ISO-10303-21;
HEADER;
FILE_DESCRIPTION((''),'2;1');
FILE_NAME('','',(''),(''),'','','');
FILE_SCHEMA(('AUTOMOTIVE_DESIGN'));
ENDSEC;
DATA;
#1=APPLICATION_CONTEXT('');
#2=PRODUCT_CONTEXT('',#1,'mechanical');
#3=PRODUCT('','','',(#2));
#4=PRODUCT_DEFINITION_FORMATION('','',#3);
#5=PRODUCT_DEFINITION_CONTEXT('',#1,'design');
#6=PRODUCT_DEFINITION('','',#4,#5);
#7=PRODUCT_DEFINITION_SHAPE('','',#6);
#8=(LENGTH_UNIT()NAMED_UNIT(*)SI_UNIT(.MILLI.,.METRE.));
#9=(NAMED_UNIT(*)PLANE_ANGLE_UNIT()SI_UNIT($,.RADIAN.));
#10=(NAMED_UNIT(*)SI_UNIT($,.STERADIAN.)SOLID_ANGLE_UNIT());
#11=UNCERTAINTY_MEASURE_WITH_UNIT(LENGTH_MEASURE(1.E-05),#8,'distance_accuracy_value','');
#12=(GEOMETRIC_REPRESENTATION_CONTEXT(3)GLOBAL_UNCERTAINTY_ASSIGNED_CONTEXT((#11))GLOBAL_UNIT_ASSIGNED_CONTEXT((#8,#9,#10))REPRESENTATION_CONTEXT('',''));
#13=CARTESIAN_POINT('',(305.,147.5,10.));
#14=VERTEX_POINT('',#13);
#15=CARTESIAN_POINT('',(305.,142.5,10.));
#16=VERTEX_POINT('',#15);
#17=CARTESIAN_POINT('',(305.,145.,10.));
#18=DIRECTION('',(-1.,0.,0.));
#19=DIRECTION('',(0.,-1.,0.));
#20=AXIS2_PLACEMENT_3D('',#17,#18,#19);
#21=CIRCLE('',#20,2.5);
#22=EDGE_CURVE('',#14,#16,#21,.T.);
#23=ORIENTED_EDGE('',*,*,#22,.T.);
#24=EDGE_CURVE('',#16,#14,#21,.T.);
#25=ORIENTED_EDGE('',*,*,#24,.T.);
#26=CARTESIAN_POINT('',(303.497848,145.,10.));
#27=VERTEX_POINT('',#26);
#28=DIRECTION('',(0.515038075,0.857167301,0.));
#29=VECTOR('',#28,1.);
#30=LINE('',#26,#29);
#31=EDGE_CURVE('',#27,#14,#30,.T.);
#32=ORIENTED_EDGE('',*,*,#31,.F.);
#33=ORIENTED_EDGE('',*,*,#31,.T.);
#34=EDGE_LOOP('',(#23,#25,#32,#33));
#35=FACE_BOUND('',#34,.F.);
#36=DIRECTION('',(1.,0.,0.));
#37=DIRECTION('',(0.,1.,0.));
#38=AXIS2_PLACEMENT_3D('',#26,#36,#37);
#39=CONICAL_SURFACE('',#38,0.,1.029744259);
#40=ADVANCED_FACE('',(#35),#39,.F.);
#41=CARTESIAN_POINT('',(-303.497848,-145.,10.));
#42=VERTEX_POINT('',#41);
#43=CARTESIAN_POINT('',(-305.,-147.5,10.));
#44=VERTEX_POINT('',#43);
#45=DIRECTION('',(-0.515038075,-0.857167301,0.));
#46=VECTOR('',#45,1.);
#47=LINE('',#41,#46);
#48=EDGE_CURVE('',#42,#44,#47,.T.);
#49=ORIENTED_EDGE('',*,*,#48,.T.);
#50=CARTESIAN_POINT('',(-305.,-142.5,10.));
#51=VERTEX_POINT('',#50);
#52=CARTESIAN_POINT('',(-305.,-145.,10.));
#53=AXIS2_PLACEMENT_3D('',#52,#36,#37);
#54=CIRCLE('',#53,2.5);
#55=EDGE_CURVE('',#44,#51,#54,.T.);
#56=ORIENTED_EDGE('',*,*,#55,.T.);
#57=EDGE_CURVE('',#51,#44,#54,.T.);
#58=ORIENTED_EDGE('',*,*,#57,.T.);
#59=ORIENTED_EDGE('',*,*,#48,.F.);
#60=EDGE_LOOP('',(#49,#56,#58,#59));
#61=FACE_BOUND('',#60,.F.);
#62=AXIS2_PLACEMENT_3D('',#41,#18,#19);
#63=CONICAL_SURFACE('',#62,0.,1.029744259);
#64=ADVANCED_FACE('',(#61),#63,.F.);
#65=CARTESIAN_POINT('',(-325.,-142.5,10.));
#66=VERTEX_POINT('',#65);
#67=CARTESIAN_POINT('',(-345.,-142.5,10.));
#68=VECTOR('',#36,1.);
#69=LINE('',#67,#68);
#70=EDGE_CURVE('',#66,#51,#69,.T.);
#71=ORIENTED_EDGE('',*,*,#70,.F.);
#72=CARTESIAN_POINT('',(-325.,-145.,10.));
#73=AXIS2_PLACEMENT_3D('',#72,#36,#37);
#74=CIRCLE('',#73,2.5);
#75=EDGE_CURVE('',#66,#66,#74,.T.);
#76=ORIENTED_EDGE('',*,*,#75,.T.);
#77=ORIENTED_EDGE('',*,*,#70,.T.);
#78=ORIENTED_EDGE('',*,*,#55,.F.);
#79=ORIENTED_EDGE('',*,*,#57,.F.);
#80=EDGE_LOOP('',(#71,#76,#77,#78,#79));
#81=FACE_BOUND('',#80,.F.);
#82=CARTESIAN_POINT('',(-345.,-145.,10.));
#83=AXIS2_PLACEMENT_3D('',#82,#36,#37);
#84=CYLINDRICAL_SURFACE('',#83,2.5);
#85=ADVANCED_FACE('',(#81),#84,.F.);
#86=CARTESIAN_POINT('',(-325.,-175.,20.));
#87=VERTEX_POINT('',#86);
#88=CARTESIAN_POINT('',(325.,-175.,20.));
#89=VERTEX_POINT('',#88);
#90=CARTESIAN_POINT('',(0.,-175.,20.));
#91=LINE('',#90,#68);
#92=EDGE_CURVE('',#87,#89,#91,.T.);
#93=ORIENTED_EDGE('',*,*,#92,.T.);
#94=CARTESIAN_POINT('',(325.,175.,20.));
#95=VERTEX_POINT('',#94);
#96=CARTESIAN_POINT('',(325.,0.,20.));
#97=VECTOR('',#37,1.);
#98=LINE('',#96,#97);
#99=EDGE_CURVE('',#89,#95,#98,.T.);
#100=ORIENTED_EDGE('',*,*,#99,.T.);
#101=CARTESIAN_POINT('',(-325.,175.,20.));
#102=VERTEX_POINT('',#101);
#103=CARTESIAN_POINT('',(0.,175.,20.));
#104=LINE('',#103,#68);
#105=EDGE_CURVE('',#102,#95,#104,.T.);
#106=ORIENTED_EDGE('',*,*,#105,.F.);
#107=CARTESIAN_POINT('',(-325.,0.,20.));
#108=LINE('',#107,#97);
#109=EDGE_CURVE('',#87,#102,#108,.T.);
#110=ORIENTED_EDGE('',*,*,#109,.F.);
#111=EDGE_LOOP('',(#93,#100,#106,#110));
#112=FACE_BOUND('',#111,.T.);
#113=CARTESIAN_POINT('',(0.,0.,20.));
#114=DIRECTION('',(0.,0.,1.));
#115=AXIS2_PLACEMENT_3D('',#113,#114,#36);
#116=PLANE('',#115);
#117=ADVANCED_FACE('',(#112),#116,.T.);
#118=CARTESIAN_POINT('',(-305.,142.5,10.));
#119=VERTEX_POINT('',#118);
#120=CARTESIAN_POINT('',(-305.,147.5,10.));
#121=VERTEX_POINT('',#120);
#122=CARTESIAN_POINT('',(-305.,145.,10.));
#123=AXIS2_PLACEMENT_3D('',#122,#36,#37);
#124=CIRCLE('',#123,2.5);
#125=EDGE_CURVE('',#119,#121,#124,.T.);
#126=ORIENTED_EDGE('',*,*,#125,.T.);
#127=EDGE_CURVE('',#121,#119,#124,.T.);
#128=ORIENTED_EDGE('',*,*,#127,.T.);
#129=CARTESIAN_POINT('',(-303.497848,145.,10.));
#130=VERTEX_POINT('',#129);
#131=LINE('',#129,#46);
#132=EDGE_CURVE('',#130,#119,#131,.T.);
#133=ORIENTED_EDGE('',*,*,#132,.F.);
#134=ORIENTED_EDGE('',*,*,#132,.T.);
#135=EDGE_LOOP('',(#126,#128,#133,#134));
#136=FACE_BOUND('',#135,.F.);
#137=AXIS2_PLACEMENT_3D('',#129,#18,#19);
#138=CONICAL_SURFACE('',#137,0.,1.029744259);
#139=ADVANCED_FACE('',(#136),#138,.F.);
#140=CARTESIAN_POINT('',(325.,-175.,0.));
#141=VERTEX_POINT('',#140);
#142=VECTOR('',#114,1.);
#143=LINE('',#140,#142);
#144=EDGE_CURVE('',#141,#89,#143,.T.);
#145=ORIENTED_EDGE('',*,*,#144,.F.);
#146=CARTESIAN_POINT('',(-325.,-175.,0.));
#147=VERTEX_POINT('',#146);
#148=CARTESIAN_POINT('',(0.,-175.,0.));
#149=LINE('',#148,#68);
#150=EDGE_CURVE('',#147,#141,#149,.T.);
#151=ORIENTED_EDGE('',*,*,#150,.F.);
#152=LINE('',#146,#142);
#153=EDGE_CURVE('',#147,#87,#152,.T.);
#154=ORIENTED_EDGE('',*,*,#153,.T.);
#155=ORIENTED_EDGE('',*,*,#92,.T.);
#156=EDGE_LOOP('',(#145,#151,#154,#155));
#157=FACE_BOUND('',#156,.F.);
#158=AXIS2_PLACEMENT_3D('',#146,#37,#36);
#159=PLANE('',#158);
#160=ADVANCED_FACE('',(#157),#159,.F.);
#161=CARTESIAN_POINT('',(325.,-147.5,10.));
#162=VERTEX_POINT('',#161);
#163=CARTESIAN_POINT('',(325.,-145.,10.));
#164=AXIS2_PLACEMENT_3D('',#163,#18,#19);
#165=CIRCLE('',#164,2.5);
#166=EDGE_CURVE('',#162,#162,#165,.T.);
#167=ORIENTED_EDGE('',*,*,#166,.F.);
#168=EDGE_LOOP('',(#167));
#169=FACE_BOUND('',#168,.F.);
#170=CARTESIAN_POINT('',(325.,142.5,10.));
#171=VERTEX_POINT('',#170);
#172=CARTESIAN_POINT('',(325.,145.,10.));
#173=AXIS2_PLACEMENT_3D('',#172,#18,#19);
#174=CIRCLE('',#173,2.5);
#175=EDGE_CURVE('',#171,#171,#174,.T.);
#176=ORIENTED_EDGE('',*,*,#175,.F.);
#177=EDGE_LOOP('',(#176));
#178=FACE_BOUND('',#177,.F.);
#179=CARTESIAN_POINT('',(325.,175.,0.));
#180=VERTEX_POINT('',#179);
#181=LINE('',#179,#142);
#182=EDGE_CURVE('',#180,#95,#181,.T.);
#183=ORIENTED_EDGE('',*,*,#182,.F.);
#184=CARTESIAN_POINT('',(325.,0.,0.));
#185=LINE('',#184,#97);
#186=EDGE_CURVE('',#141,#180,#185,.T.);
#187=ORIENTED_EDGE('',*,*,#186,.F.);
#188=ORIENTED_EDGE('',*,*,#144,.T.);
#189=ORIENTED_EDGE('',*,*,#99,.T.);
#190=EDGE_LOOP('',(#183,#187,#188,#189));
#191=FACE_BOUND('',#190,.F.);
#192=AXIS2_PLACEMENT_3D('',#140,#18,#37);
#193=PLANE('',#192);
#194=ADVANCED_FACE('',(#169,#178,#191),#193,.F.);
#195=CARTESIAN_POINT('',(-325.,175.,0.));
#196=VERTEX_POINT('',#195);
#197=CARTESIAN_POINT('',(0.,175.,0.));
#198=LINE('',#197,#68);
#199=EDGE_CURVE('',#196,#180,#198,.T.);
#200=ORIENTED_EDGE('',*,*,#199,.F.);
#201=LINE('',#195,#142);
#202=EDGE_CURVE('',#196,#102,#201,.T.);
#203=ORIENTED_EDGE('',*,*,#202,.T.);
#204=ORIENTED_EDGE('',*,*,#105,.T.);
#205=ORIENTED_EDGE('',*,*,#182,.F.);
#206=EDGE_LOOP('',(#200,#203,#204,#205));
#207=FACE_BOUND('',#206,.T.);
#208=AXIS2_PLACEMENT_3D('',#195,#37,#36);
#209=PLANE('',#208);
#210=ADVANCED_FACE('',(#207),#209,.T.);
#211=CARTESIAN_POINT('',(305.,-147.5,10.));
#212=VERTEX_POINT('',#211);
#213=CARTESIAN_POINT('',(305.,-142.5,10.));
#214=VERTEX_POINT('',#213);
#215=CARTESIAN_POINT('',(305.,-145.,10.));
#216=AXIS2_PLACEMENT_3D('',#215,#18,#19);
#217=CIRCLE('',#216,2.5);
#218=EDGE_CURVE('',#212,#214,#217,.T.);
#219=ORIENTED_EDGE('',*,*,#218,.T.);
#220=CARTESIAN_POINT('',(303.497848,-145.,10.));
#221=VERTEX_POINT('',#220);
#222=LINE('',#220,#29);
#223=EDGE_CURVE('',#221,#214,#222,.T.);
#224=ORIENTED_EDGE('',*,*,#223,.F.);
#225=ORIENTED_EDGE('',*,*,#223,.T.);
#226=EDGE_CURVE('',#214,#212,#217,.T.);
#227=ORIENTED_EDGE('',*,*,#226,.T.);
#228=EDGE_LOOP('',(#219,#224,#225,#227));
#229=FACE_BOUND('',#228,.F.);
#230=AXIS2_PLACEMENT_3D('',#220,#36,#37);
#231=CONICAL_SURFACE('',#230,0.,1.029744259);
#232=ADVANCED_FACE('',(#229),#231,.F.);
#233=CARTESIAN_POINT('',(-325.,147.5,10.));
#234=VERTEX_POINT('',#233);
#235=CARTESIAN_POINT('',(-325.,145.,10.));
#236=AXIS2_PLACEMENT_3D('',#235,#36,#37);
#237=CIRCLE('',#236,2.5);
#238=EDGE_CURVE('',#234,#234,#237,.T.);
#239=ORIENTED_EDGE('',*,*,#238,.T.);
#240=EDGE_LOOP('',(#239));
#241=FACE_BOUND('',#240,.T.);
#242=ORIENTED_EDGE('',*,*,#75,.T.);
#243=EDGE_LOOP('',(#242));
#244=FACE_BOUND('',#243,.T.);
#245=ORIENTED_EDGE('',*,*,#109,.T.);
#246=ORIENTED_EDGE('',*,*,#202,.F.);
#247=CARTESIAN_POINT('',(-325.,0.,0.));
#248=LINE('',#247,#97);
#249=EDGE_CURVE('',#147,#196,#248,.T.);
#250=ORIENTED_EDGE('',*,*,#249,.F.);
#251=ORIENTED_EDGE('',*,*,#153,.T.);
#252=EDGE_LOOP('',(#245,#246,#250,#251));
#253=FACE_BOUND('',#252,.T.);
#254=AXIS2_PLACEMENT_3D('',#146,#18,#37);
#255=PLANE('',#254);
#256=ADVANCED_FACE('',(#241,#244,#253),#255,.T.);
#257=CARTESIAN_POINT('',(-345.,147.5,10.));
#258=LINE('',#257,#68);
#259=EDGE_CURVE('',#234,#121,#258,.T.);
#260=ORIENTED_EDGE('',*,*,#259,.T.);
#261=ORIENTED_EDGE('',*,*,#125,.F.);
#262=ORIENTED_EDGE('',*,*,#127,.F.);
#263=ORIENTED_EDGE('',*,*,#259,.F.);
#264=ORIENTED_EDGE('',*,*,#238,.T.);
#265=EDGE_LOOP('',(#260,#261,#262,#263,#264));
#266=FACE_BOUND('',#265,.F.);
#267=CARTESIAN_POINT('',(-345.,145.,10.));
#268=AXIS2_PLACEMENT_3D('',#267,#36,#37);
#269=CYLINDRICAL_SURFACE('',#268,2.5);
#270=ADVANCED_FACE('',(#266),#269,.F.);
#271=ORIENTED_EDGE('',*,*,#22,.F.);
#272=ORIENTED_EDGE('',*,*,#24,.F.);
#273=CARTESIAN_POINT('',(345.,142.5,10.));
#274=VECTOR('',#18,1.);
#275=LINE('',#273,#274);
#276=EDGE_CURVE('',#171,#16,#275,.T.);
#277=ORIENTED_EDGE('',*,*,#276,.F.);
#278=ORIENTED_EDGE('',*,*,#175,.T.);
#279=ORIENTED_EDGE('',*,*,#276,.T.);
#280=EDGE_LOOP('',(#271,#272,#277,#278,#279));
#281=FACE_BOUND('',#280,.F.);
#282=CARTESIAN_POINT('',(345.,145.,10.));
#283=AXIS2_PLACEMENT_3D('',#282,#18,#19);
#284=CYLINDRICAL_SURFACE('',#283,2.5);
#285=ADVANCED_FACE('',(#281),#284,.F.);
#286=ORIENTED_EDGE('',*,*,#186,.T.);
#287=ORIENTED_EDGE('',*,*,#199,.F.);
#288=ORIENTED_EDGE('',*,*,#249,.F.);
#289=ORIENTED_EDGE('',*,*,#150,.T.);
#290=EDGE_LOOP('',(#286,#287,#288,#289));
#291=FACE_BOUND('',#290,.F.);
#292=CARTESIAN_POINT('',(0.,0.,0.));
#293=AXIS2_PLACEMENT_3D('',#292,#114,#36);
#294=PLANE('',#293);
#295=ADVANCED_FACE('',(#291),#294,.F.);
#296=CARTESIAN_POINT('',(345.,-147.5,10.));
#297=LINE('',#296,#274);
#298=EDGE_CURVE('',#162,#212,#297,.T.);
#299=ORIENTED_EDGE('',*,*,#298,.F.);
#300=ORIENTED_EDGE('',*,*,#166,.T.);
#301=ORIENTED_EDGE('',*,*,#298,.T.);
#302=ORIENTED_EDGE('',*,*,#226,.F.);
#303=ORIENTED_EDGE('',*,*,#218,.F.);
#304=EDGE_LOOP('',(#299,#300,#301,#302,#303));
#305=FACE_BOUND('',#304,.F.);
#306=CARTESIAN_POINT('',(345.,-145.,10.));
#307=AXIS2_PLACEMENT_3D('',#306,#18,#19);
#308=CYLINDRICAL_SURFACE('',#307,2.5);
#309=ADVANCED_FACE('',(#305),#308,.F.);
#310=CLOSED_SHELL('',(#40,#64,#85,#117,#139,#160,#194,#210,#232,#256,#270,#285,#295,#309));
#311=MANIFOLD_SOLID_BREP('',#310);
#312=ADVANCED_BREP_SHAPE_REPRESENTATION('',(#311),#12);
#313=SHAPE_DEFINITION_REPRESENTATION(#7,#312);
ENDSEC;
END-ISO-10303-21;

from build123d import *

# Parameters (mm, degrees)
F0_W           = 650
F0_H           = 350
F1_DEPTH       = 20
F4_D           = 5
F4_DEPTH       = 20
F4_TIP         = 1.5021515476
F4_ON_F3_D     = 5
F4_ON_F3_DEPTH = 20
F4_ON_F3_TIP   = 1.5021515476


with BuildPart() as f1:
    # F0 (on Top) → F1 (new body)
    with BuildSketch(Plane.XY):
        Rectangle(F0_W, F0_H)
    extrude(amount=F1_DEPTH)

    # F4
    with Locations(Plane(origin=(-325, 0, 0), x_dir=(0, -1, 0), z_dir=(-1, 0, 0))):
        with Locations((-145, 10), (145, 10)):
            Hole(F4_D / 2, depth=F4_DEPTH)
            with Locations((0, 0, -(F4_DEPTH + F4_TIP / 2))):  # 118° drill point
                Cone(0, F4_D / 2, F4_TIP, mode=Mode.SUBTRACT)

    # F4 on F3
    with Locations(Plane.YZ.offset(325)):
        with Locations((-145, 10), (145, 10)):
            Hole(F4_ON_F3_D / 2, depth=F4_ON_F3_DEPTH)
            with Locations((0, 0, -(F4_ON_F3_DEPTH + F4_ON_F3_TIP / 2))):  # 118° drill point
                Cone(0, F4_ON_F3_D / 2, F4_ON_F3_TIP, mode=Mode.SUBTRACT)


solid = f1.part
